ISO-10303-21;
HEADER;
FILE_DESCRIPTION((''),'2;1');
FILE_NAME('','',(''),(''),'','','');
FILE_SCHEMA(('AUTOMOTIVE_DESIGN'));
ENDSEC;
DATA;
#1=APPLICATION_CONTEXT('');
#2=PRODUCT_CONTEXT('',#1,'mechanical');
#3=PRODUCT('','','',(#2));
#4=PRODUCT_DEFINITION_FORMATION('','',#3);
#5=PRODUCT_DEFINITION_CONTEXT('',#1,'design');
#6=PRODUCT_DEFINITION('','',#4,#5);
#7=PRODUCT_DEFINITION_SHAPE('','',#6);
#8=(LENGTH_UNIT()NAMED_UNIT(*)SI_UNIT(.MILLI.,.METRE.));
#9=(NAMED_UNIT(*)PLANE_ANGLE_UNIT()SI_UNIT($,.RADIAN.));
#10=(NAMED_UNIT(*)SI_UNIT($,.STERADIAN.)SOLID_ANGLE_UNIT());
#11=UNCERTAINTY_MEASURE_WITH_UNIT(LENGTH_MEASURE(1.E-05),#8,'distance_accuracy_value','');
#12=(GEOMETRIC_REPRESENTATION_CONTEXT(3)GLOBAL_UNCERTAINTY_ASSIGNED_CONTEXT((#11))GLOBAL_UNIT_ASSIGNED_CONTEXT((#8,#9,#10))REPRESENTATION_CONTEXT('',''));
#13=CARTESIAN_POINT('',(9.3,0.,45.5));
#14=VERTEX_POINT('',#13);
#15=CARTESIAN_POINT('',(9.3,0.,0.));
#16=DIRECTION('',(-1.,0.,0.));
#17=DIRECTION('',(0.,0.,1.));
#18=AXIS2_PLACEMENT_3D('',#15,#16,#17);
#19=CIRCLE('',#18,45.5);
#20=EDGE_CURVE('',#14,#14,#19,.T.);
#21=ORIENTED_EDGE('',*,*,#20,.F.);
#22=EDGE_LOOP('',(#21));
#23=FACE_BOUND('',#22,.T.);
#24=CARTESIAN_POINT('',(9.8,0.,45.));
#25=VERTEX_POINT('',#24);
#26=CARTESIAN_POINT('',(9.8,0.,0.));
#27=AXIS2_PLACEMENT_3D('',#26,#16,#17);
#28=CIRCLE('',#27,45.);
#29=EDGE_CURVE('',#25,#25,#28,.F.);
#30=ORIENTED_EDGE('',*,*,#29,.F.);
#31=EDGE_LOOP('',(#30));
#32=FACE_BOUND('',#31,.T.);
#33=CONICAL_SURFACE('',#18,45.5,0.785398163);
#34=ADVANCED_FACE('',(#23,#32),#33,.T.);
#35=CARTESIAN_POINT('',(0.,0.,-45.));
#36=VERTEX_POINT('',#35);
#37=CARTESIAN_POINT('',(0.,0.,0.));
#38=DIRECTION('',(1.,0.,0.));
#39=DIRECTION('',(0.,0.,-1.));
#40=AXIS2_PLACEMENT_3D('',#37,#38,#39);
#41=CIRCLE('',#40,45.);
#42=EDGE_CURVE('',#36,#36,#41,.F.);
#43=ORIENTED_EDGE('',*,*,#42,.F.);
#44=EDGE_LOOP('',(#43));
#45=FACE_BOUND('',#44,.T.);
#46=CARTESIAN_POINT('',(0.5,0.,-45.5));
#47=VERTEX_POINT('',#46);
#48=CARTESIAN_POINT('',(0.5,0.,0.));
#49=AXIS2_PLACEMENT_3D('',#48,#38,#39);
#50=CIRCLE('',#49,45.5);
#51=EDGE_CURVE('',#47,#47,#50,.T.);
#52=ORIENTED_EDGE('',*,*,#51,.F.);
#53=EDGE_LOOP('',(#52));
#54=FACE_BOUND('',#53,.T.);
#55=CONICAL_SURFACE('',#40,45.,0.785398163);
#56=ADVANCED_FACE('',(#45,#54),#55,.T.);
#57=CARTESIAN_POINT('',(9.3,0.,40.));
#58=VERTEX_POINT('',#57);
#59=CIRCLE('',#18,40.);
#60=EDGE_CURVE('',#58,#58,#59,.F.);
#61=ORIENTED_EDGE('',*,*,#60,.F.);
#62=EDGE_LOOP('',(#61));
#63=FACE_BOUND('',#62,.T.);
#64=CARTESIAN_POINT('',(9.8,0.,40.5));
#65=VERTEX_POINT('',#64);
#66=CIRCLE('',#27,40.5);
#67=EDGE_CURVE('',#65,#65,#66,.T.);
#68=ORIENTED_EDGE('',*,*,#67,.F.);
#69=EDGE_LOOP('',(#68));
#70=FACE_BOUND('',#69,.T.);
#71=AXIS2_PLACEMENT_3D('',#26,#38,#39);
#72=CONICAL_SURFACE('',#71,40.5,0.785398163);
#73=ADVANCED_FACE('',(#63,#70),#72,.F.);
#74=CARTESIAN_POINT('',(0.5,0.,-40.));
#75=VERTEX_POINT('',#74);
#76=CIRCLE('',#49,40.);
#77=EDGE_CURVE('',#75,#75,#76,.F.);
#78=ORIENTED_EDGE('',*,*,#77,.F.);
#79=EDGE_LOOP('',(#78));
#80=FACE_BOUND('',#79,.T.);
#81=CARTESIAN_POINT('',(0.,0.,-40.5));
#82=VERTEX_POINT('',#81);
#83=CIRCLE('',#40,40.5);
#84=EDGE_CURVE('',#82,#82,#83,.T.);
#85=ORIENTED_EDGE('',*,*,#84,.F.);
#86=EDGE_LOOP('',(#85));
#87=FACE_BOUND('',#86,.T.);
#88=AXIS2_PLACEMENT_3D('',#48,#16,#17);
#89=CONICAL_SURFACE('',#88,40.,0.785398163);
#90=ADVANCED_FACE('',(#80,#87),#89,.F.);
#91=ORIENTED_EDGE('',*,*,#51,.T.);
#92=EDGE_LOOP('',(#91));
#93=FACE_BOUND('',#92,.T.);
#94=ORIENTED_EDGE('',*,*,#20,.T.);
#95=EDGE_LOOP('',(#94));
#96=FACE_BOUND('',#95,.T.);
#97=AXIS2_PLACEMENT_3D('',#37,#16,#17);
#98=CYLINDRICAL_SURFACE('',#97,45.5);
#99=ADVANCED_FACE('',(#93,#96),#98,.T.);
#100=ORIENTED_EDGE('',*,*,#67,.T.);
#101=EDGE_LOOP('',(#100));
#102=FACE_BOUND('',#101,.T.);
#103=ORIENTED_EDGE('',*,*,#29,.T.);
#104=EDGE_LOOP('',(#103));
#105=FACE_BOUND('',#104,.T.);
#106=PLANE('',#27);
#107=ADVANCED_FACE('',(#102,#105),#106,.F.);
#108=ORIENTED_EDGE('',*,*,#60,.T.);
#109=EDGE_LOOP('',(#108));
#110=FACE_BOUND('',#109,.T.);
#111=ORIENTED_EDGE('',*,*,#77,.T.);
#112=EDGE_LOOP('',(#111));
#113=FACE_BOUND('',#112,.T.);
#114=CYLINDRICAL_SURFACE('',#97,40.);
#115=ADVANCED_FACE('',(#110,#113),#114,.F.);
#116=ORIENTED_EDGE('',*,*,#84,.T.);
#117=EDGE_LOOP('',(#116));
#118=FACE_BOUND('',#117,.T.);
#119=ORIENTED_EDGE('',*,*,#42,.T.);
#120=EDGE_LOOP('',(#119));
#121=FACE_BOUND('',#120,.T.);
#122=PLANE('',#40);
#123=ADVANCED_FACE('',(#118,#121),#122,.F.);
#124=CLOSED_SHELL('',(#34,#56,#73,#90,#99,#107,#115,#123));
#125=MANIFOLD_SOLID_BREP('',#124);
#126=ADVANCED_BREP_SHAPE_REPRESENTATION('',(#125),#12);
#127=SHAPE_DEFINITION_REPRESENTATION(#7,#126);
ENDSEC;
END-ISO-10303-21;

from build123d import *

# Parameters (mm, degrees)
SKETCH1_W     = 9.8
SKETCH1_H     = 5.5
CHAMFER1_SIZE = 0.5


with BuildPart() as part:
    # Sketch1 → Revolve1 (revolve)
    with BuildSketch(Plane.XY):
        with Locations((4.9, 42.75)):
            Rectangle(SKETCH1_W, SKETCH1_H)
    revolve(axis=Axis((0, 0, 0), (1, 0, 0)))

    # Chamfer1
    chamfer1_edges = [part.edges().sort_by_distance(p)[0] for p in [
        (0, -45.5, 0),
        (9.8, -45.5, 0),
        (9.8, -40, 0),
        (0, -40, 0),
    ]]
    chamfer(chamfer1_edges, length=CHAMFER1_SIZE)


solid = part.part
